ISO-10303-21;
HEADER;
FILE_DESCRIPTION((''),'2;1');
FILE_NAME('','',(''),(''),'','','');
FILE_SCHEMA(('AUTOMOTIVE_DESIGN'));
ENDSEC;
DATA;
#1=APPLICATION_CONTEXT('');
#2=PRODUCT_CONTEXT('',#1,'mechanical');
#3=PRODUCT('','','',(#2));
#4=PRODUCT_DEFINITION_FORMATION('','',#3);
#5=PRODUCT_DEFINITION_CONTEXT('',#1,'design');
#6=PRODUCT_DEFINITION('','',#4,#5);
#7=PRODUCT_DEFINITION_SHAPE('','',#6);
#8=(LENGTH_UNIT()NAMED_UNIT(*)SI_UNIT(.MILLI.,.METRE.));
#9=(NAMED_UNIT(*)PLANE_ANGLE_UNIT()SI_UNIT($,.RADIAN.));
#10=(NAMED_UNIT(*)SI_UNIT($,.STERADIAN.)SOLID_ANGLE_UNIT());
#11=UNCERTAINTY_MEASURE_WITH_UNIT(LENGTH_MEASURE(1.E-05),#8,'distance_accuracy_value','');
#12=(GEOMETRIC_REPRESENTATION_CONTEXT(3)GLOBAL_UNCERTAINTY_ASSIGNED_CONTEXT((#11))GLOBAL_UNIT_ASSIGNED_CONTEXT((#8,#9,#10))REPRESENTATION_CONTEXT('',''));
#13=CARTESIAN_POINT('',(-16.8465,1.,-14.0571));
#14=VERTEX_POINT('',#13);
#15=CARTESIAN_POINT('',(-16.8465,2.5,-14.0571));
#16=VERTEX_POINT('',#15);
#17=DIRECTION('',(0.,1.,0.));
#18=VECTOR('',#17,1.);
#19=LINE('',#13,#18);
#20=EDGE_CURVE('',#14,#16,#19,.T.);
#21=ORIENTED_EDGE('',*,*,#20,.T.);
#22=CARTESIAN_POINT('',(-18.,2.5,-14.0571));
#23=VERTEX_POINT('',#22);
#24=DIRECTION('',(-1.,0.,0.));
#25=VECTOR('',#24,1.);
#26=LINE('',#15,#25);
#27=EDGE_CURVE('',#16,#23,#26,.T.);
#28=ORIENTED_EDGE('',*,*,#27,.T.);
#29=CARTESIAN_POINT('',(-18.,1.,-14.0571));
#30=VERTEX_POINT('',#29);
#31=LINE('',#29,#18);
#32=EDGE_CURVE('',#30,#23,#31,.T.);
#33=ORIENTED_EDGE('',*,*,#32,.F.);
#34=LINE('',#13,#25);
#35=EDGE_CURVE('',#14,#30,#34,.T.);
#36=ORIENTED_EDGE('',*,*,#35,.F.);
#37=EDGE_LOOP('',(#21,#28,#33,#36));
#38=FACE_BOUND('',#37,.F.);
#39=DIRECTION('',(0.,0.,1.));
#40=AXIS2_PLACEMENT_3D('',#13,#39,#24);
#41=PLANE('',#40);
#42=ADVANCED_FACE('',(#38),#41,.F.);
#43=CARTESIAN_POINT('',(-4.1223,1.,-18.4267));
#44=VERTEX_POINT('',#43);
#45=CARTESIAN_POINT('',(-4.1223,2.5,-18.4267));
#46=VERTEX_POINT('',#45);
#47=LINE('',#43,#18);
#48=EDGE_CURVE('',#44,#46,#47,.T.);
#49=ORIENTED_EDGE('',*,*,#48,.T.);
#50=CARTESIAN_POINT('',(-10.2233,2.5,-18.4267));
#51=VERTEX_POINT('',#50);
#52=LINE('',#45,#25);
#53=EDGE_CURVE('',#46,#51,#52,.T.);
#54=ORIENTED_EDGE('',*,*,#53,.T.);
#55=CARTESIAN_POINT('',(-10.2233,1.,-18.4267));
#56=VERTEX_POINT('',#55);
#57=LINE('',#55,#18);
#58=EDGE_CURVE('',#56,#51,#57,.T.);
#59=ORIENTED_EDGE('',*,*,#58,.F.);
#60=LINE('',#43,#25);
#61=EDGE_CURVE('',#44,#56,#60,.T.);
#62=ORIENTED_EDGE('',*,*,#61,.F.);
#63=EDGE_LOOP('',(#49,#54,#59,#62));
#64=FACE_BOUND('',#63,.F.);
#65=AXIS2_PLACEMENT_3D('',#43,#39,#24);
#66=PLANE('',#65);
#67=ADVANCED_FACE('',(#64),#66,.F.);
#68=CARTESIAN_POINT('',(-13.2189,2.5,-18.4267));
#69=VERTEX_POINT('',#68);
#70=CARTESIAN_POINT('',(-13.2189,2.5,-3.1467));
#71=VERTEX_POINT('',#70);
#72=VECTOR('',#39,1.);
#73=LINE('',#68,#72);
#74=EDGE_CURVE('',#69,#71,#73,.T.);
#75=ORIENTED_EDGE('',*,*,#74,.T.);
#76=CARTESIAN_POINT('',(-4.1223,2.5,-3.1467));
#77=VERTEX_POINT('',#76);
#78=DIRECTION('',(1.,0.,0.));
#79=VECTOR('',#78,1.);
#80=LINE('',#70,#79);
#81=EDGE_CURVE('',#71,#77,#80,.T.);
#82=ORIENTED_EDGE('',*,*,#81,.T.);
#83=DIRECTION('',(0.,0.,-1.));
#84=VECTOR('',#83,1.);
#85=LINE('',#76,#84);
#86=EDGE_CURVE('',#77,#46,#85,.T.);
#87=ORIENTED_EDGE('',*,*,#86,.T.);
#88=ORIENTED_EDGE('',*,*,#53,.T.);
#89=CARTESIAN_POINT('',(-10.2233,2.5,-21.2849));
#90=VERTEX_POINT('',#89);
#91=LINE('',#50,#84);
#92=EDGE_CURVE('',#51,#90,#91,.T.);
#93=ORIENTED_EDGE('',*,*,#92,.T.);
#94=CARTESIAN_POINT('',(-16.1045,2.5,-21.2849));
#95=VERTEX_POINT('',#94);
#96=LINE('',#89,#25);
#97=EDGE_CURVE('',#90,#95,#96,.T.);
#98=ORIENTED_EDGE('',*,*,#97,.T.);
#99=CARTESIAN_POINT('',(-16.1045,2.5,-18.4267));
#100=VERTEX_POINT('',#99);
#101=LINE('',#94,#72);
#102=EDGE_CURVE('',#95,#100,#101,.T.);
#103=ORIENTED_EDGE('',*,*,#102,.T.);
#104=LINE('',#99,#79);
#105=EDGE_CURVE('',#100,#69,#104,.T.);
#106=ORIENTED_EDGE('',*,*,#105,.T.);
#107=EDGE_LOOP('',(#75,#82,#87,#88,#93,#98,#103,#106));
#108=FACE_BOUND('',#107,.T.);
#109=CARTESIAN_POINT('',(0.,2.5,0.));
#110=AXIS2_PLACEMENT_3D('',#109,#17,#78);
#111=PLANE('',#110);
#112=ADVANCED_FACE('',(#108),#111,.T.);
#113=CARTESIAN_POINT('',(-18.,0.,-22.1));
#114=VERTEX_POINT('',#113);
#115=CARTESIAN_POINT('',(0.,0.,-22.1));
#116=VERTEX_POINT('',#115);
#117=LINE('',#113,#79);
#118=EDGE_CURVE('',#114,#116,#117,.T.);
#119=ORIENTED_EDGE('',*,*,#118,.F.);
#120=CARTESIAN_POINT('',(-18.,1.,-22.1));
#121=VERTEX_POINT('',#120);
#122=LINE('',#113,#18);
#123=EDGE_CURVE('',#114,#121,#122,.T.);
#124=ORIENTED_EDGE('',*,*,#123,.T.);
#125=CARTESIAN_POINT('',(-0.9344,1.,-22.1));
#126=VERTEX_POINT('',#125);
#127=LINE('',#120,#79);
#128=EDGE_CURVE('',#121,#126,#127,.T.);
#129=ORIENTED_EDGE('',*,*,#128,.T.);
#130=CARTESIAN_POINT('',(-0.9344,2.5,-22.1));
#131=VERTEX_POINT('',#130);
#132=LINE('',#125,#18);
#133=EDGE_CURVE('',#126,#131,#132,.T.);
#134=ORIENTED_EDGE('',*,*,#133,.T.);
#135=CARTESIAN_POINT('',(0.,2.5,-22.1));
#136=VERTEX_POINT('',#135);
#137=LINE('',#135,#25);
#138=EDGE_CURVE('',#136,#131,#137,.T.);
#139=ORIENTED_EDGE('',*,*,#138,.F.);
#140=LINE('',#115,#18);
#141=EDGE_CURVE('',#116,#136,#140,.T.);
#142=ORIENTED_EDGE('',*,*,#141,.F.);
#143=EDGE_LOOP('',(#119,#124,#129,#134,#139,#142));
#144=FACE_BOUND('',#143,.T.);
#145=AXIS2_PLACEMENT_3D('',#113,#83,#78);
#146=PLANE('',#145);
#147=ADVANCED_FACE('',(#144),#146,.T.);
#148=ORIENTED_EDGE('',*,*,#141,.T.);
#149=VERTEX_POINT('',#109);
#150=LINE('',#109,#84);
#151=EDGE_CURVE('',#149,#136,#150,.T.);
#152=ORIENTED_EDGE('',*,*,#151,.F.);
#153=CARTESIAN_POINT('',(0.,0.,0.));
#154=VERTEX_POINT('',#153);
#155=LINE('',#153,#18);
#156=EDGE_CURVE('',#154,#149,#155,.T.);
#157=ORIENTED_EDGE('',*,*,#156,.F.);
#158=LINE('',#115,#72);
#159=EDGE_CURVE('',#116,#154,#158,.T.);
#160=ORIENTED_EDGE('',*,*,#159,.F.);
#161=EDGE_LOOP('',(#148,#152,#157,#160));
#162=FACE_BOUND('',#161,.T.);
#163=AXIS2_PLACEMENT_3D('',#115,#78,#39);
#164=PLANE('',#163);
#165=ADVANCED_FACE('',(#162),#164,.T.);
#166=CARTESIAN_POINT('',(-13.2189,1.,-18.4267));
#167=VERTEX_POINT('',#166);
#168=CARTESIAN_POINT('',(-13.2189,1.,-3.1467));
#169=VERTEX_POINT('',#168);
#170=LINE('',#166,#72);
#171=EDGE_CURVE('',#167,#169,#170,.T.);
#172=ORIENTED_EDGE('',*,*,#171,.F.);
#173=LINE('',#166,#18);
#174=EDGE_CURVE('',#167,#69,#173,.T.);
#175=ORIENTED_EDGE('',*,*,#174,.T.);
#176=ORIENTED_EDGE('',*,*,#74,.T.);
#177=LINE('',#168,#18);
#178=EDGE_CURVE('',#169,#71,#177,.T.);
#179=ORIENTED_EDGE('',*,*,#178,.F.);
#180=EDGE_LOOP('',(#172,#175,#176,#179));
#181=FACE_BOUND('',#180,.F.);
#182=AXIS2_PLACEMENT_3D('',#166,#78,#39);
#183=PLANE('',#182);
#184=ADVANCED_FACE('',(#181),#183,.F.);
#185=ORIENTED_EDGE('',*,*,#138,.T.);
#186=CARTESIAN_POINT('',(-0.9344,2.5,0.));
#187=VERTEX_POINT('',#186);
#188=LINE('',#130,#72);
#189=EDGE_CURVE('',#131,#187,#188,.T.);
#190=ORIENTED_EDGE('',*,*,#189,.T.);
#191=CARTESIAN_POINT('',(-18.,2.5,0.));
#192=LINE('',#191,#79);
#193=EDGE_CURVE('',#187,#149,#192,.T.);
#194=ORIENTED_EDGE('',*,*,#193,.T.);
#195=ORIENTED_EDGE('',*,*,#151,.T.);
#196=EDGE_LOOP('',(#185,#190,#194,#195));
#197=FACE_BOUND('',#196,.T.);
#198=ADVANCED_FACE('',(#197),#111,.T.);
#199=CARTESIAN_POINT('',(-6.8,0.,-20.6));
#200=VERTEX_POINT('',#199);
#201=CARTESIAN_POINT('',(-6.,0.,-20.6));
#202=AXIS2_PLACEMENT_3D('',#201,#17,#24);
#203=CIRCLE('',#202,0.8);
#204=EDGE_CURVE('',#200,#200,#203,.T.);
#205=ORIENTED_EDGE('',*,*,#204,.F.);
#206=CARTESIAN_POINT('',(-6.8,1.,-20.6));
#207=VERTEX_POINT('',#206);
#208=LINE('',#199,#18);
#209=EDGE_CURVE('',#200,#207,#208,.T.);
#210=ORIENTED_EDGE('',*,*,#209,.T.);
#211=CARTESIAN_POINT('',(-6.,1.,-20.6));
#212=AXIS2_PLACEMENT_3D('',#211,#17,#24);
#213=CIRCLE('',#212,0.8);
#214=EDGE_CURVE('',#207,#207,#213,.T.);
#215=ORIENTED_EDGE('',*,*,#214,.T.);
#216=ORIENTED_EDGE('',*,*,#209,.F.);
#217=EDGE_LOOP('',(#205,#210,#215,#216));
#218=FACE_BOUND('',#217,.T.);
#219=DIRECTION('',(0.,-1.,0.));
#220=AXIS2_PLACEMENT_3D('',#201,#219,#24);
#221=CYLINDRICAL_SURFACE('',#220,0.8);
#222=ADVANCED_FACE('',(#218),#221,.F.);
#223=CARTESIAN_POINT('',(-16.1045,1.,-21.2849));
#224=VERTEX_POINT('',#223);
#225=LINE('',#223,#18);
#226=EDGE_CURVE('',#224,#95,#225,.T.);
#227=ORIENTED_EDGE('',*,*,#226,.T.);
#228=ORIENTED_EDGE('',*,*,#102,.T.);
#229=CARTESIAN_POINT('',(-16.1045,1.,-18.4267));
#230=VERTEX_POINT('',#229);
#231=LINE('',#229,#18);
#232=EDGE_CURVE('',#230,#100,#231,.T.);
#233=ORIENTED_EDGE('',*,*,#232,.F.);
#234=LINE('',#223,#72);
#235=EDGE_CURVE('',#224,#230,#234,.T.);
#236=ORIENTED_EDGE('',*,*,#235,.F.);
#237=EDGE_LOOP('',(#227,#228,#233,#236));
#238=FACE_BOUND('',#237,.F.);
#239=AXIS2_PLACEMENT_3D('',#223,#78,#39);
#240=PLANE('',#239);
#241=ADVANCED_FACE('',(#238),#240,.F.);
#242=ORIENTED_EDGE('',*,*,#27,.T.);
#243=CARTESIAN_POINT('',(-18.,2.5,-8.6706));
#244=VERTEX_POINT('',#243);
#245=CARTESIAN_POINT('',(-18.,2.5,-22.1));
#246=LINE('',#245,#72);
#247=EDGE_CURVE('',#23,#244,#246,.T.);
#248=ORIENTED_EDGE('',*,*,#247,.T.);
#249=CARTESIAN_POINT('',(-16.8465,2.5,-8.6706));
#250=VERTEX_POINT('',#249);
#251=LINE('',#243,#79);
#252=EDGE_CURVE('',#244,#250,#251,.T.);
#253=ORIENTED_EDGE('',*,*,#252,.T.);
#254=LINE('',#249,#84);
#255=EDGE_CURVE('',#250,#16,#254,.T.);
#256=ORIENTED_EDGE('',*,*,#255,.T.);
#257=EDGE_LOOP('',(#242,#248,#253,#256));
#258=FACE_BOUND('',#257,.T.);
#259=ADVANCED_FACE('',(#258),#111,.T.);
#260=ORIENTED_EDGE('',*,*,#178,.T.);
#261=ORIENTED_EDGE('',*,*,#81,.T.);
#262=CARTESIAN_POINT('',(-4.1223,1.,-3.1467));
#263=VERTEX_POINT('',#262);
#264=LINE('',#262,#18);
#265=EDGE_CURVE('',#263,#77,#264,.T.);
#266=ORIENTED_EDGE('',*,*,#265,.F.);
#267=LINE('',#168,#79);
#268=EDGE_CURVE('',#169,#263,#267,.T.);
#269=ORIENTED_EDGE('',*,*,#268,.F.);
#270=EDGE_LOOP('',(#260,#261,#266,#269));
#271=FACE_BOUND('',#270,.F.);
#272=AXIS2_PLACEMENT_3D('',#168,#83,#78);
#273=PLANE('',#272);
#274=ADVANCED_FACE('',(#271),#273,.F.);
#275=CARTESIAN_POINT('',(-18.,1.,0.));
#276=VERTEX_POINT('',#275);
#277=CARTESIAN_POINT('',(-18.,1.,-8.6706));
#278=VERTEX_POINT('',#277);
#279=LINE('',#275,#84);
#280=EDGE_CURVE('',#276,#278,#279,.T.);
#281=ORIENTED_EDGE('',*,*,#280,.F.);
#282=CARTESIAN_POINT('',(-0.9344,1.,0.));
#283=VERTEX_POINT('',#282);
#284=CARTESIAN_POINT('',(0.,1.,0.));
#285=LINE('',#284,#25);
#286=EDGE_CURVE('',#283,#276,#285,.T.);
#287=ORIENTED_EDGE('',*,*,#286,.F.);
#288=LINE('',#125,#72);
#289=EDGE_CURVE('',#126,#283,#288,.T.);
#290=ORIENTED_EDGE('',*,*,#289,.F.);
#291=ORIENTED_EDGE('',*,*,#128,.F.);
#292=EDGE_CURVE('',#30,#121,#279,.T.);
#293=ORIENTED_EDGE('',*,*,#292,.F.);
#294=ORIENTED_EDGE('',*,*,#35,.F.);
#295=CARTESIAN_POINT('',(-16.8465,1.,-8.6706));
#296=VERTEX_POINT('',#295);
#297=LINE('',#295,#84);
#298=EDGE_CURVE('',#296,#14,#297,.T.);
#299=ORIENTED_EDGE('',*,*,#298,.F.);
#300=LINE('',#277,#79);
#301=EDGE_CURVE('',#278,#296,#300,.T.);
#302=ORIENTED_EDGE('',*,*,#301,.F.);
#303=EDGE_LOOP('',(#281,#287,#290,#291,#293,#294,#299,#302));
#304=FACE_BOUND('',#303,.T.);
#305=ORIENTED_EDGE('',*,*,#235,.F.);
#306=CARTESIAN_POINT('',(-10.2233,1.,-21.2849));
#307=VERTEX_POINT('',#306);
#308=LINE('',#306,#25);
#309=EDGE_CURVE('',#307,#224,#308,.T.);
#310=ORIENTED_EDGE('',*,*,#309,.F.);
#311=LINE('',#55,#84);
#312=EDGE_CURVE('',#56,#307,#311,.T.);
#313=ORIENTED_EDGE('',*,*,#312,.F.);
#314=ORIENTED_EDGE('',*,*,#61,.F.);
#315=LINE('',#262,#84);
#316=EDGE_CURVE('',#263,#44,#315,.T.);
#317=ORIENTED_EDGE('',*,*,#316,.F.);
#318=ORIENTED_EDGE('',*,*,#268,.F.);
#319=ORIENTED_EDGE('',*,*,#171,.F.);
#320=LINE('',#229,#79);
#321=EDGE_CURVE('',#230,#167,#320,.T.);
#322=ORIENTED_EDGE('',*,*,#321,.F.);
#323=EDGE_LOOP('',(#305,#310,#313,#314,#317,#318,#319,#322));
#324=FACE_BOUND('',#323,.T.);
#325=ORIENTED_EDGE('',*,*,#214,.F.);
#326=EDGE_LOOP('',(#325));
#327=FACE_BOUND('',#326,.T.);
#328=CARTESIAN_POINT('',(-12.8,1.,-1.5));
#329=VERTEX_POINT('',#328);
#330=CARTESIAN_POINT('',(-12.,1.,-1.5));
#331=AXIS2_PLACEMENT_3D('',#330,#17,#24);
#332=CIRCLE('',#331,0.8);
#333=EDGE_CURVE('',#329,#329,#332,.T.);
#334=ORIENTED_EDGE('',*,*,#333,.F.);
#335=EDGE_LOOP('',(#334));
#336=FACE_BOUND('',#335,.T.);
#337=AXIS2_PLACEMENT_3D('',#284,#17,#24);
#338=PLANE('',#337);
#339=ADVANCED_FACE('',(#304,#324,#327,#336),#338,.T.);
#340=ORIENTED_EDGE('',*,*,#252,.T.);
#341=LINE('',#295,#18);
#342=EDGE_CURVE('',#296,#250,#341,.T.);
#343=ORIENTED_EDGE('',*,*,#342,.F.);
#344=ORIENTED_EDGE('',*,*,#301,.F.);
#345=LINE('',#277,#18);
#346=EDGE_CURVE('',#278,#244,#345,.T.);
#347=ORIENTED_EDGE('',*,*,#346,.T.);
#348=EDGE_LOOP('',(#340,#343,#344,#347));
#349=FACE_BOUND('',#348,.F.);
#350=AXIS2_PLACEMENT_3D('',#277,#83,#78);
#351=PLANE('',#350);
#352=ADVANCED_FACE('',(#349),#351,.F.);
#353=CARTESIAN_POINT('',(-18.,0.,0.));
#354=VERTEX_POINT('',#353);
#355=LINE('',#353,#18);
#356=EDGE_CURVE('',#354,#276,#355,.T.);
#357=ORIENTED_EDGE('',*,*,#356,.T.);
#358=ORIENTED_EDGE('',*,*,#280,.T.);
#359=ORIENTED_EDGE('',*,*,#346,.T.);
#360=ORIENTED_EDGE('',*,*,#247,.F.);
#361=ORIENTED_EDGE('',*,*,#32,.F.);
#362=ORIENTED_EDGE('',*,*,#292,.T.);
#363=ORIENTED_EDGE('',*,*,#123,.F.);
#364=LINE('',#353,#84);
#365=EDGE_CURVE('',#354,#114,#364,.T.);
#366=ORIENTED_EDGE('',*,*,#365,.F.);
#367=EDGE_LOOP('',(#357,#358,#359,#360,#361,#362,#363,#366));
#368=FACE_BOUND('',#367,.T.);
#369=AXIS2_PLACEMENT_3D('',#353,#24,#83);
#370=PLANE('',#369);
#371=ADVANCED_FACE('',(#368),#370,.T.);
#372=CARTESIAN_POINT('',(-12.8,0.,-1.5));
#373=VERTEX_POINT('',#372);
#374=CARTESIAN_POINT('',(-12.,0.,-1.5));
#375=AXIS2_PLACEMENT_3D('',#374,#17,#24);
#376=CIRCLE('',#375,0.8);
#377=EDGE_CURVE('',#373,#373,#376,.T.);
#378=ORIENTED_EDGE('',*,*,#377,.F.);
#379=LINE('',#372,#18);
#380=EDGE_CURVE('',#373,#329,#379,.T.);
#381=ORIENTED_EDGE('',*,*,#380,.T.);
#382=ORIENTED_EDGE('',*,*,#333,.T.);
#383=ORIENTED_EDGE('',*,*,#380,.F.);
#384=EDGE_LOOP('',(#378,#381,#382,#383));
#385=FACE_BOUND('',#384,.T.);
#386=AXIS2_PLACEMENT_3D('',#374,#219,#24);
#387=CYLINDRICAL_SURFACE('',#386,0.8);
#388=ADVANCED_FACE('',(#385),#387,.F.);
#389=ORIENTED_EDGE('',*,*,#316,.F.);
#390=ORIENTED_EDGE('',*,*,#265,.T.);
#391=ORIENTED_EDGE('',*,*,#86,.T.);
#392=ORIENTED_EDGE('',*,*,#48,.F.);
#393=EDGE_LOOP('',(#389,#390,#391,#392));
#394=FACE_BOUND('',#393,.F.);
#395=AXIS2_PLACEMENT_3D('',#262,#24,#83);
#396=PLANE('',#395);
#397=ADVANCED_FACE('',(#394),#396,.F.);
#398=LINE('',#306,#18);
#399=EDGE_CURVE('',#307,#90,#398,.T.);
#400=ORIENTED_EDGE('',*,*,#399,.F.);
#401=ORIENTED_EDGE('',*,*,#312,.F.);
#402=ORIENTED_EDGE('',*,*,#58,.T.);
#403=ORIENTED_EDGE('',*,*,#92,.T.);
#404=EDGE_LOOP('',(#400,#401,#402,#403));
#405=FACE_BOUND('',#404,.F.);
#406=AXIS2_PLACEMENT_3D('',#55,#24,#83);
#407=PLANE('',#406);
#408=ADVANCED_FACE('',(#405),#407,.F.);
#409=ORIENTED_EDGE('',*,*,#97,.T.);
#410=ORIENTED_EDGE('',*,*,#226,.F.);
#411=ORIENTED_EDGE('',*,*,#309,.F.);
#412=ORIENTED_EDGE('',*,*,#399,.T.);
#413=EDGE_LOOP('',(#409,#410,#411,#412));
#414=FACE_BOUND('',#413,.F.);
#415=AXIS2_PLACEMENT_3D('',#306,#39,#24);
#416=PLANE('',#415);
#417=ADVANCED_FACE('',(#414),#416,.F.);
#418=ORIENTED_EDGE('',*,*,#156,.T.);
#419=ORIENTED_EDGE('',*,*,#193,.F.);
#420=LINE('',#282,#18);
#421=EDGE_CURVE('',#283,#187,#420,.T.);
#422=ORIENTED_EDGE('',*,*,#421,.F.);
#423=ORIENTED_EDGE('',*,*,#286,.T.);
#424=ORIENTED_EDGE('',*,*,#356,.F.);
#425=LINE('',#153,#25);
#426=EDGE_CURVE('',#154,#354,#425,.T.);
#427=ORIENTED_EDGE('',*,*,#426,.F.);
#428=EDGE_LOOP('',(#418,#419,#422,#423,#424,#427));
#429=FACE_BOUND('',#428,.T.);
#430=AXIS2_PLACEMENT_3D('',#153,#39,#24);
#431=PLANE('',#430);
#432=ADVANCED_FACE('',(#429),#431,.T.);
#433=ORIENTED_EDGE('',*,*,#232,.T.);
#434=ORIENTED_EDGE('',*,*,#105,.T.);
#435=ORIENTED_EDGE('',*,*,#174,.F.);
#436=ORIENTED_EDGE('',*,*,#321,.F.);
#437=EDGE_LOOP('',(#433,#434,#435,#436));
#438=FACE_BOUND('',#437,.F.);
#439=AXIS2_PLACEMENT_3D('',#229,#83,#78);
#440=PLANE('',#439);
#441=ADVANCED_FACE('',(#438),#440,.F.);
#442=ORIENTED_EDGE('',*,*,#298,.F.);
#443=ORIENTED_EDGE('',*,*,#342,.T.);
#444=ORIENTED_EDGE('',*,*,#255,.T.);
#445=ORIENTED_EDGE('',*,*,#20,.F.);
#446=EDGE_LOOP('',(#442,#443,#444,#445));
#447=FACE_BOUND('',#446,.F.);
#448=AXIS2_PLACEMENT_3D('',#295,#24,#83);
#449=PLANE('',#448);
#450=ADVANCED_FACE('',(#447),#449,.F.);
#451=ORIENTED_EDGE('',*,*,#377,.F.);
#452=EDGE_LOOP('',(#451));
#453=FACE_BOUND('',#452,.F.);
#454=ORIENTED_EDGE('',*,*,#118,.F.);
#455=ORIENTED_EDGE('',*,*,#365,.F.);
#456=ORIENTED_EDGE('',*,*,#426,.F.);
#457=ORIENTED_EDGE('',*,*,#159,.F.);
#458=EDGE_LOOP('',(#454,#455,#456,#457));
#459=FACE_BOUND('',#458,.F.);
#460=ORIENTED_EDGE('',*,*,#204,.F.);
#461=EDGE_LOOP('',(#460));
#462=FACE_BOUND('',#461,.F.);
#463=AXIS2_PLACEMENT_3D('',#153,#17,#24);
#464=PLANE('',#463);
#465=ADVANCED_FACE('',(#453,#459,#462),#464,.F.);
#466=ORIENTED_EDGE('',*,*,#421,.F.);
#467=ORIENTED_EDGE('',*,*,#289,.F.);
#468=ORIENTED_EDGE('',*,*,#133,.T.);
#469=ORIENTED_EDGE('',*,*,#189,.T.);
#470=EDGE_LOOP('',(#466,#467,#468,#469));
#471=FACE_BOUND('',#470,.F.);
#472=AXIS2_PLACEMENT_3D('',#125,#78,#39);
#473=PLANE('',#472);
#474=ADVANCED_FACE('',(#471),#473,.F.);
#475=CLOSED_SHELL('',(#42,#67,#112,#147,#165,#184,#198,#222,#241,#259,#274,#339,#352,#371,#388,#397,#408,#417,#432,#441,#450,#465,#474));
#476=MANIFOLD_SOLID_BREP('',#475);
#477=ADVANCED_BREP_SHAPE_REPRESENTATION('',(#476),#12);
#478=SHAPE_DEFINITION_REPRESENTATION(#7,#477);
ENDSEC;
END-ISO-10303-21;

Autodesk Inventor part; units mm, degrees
ref_plane "YZ Plane" through (0, 0, 0) normal (1, 0, 0) x (0, 1, 0)
ref_plane "XZ Plane" through (0, 0, 0) normal (0, 1, 0) x (-1, 0, 0)
ref_plane "XY Plane" through (0, 0, 0) normal (0, 0, 1) x (1, 0, 0)
sketch "Skizze1" plane through (0, 0, 0) normal (0, 1, 0) x (-1, 0, 0)
  line L0 (0, 0) -> (18, 0)
  line L1 (18, 0) -> (18, -22.1)
  line L2 (18, -22.1) -> (0, -22.1)
  line L3 (0, -22.1) -> (0, 0)
  circle A0 centre (12, -1.5) radius 0.8
  circle A1 centre (6, -20.6) radius 0.8
  dimension "d0" = 18
  dimension "d1" = 22.1
  dimension "d4" = 6
  dimension "d6" = 1.6
  dimension "d7" = 1.5
  dimension "d8" = 1.6
  dimension "d9" = 1.5
  dimension "d10" = 6
extrude "Extrusion1" add sketch "Skizze1" along normal blind 1
sketch "Skizze2" plane through (0, 1, 0) normal (0, 1, 0) x (1, 0, 0)
  point P0 (0, 0)
sketch "Skizze3" plane through (0, 1, 0) normal (0, 1, 0) x (1, 0, 0)
  line L0 (-13.2189, 3.1467) -> (-4.1223, 3.1467)
  line L1 (-4.1223, 3.1467) -> (-4.1223, 18.4267)
  line L2 (-4.1223, 18.4267) -> (-13.2189, 18.4267)
  line L3 (-13.2189, 18.4267) -> (-13.2189, 3.1467)
  line L4 (-16.1045, 18.4267) -> (-10.2233, 18.4267)
  line L5 (-10.2233, 18.4267) -> (-10.2233, 21.2849)
  line L6 (-10.2233, 21.2849) -> (-16.1045, 21.2849)
  line L7 (-16.1045, 21.2849) -> (-16.1045, 18.4267)
  line L8 (-18, 0) -> (0, 0) projected
  line L9 (0, 0) -> (0, 22.1) projected
  line L10 (-0.9344, 0) -> (0, 0)
  line L11 (0, 0) -> (0, 22.1)
  line L12 (0, 22.1) -> (-0.9344, 22.1)
  line L13 (-0.9344, 22.1) -> (-0.9344, 0)
  line L14 (-18, 22.1) -> (-18, 0) projected
  line L15 (-18, 8.6706) -> (-16.8465, 8.6706)
  line L16 (-16.8465, 8.6706) -> (-16.8465, 14.0571)
  line L17 (-16.8465, 14.0571) -> (-18, 14.0571)
  line L18 (-18, 14.0571) -> (-18, 8.6706)
  point P0 (-16.8465, 11.3638)
  point P1 (-18, 11.3638)
extrude "Extrusion2" add sketch "Skizze3" along normal blind 1.5
ref_plane "Arbeitsebene1" through (0, 0, -11.05) normal (0, 0, -1) x (-1, 0, 0)
equation "\"d8\" = d6"
equation "\"d9\" = d7"
equation "\"d10\" = d4"
properties part number "USB-Hub"
